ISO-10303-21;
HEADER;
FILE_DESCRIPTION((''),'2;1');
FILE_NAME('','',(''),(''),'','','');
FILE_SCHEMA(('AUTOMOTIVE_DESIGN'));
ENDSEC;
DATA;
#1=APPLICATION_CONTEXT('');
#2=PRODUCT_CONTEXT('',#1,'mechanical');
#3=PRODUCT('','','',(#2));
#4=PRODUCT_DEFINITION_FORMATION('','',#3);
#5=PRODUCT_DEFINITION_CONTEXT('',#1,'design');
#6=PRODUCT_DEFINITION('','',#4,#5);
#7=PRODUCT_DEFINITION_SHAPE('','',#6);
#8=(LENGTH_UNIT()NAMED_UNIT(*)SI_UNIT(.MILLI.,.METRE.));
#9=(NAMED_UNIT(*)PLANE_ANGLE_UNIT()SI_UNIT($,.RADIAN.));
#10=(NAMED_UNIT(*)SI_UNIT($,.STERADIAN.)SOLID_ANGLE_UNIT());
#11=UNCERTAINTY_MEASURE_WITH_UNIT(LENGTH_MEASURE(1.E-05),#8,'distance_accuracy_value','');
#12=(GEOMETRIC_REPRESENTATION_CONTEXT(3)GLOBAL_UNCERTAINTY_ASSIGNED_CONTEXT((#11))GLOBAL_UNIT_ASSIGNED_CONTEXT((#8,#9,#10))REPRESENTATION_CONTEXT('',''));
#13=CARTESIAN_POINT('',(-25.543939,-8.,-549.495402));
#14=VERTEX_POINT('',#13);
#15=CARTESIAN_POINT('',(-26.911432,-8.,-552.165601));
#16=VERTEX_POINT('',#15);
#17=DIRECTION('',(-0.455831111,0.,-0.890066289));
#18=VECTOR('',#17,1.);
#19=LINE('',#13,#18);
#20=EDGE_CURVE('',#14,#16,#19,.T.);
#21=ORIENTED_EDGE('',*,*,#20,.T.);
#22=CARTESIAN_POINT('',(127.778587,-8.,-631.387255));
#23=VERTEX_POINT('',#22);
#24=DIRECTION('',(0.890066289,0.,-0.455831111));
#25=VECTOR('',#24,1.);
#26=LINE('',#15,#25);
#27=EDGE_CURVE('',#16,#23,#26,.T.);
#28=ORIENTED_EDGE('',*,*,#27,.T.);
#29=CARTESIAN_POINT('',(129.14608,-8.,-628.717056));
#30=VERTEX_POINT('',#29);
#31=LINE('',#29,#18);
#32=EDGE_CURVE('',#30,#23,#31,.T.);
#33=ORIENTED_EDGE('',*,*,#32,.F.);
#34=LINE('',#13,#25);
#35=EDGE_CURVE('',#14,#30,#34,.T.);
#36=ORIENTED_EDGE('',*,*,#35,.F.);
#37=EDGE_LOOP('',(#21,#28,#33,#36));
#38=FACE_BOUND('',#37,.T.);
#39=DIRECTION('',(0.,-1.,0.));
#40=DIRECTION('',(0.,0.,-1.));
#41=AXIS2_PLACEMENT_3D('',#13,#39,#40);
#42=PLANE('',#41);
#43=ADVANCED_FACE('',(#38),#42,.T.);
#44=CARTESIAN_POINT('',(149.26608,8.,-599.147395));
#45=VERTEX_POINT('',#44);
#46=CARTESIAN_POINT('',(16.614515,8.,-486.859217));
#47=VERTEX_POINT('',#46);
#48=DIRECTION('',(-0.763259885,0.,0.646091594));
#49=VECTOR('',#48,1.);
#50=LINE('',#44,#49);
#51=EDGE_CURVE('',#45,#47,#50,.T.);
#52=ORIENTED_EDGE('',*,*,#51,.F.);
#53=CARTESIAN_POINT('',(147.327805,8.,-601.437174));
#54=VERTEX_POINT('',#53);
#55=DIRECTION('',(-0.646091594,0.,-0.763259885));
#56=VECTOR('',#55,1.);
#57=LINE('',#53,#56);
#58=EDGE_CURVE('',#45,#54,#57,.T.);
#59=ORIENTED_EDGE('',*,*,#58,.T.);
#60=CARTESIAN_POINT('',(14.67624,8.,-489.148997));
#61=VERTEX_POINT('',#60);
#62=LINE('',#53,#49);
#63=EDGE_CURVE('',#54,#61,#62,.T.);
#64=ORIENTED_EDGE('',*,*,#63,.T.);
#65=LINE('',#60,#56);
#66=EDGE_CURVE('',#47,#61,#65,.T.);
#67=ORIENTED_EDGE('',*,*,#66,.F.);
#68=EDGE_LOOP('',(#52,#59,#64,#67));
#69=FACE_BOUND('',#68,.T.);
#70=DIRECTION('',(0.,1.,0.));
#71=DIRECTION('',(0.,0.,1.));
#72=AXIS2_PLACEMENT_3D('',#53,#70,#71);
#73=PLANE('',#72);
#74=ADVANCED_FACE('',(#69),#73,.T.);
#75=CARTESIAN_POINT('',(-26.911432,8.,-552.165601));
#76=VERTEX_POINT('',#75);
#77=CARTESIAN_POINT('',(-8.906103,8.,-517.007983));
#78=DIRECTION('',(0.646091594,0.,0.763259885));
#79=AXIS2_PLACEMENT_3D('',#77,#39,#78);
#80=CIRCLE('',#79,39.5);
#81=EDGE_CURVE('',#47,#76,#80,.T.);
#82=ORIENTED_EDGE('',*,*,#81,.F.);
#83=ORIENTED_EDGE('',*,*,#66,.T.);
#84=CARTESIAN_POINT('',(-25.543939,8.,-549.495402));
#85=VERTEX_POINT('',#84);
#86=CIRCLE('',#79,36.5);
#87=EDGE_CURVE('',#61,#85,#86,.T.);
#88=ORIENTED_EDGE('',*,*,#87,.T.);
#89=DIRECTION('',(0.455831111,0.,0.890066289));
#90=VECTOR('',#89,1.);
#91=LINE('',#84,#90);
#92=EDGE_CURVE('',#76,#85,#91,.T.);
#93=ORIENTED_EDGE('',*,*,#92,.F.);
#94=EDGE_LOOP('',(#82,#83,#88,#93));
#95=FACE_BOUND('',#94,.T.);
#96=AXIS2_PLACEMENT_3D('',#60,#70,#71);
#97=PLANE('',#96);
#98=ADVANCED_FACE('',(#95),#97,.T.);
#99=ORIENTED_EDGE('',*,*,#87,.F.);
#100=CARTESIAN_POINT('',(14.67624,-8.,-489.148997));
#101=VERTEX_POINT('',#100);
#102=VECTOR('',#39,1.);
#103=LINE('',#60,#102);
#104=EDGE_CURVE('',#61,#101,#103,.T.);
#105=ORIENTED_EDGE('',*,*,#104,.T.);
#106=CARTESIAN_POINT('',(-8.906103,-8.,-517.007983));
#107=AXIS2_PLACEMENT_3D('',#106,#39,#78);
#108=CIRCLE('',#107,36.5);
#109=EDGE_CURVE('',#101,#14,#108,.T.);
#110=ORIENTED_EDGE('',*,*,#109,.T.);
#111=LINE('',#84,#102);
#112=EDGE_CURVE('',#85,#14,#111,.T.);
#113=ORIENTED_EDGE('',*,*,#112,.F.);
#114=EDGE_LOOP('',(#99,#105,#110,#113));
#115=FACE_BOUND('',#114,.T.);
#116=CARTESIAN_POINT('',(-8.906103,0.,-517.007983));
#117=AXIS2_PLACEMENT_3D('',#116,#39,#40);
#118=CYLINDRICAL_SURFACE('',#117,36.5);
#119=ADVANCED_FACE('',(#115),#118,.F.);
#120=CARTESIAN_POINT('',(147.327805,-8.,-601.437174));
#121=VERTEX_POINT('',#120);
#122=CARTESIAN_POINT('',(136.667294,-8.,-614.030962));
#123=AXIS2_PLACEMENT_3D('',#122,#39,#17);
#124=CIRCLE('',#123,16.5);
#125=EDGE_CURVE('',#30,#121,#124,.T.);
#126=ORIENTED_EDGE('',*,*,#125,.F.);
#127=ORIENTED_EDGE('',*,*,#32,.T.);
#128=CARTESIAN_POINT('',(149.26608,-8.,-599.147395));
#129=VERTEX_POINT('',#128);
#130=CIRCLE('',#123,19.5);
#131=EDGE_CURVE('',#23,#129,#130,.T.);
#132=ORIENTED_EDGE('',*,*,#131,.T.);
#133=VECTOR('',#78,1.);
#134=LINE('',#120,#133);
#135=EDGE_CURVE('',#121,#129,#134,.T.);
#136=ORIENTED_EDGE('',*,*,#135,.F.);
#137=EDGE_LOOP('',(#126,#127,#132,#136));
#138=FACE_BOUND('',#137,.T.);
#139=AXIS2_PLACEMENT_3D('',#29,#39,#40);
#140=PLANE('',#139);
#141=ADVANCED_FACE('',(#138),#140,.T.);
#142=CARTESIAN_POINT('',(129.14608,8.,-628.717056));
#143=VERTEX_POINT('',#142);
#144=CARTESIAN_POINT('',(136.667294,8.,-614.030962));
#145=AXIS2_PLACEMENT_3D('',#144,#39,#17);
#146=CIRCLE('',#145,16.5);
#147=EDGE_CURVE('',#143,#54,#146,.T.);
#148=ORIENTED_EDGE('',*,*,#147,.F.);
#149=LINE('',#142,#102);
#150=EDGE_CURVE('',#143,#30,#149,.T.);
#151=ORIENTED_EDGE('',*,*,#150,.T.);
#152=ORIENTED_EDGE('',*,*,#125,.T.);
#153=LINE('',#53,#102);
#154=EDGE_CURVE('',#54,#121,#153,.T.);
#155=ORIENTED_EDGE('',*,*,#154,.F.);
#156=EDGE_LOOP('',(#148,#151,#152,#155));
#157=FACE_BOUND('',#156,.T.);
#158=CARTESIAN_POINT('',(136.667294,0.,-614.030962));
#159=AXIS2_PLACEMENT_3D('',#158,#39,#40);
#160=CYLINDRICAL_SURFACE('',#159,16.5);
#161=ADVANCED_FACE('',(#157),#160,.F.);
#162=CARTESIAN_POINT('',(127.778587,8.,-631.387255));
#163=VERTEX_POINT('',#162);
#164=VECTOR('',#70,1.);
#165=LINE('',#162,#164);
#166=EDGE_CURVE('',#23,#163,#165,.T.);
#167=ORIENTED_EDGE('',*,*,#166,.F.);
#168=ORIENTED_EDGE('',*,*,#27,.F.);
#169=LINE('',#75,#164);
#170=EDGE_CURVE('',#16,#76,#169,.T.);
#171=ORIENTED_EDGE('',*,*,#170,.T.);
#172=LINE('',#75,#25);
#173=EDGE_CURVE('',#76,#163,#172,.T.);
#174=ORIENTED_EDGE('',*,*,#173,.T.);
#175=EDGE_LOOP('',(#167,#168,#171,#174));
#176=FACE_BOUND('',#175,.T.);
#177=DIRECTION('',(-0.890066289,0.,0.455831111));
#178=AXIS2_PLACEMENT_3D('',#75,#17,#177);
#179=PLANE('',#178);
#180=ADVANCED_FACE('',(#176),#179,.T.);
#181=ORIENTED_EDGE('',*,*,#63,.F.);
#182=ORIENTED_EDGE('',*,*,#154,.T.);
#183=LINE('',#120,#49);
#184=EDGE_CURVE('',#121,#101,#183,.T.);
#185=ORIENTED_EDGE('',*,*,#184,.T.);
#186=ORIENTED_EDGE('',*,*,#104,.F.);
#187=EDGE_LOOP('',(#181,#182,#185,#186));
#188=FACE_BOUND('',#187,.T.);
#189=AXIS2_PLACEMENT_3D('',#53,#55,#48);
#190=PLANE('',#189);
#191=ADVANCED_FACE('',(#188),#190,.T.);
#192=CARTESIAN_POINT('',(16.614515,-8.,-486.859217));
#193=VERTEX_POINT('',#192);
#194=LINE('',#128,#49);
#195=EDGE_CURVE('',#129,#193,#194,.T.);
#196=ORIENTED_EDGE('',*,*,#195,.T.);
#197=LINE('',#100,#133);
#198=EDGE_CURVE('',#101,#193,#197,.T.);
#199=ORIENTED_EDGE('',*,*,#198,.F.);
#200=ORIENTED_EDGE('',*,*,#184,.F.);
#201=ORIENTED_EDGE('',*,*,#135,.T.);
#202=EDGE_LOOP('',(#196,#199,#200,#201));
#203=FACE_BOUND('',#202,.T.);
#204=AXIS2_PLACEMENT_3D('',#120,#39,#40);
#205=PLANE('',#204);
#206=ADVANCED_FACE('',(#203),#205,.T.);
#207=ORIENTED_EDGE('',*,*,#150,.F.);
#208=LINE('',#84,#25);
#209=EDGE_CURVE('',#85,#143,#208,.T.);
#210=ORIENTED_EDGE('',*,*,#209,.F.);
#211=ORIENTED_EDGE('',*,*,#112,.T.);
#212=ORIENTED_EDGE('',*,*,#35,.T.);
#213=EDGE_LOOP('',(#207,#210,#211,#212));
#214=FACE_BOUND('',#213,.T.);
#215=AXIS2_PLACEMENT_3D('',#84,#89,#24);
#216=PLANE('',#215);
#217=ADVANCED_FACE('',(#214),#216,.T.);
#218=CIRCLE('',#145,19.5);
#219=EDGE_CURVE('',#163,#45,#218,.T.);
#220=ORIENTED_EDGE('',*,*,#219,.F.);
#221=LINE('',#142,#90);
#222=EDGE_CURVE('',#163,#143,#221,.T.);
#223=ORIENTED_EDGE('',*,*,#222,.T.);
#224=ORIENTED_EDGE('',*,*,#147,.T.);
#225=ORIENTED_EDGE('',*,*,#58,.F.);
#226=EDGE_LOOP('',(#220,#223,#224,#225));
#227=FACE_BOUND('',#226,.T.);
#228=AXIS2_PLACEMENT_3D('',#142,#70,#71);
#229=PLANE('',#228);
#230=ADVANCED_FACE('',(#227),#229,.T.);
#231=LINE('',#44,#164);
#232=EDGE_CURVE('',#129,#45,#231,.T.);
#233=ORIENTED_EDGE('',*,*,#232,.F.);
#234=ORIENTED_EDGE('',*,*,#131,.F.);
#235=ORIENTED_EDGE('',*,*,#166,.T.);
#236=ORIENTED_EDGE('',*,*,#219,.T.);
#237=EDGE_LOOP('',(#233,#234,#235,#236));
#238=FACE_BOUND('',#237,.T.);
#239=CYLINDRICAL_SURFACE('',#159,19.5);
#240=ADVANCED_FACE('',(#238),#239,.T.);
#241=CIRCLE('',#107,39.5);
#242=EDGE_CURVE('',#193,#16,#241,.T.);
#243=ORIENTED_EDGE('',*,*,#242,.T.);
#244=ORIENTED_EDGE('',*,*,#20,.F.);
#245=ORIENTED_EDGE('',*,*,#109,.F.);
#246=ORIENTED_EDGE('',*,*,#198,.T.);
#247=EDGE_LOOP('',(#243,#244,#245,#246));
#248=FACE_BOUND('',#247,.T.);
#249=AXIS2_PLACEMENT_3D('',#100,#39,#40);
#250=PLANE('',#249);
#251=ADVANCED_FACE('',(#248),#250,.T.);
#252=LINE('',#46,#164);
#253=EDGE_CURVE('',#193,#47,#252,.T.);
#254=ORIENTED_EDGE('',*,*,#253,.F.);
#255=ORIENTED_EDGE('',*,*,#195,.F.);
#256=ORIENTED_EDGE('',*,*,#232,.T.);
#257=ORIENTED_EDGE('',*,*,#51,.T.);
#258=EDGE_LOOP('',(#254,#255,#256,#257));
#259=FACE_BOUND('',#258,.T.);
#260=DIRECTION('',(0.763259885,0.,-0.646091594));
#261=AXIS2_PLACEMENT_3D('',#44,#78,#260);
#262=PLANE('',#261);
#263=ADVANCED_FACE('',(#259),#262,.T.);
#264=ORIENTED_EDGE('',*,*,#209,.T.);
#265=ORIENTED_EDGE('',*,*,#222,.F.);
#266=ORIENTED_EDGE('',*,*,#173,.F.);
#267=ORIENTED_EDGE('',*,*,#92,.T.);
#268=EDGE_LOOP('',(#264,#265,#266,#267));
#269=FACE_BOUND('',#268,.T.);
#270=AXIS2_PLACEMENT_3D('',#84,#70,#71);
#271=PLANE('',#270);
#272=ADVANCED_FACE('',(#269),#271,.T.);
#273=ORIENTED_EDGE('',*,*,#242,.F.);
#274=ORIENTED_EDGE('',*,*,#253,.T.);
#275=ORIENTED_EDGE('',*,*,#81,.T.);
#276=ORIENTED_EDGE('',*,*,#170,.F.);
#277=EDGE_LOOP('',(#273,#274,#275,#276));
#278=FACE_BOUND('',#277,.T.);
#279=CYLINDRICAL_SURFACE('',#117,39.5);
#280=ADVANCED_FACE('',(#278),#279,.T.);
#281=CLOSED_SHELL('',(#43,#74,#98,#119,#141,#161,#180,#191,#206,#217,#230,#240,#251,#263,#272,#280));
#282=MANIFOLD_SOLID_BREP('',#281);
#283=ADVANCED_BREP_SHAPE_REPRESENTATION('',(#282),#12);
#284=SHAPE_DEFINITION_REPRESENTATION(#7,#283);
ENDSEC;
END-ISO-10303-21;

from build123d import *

# Parameters (mm, degrees)
SKETCH2_W = 3
SKETCH2_H = 16


with BuildPart() as part:
    # Sweep1: sweep along a path in Sketch1
    with BuildLine(Plane(origin=(0, 0, 0), x_dir=(1, 0, 0), z_dir=(0, 1, 0))) as sweep1_path:
        Line((-26.227685645, 550.830501906), (128.462333695, 630.052155615))
        ThreePointArc((128.462333695, 630.052155615), (151.645431275, 624.013717264), (148.296942376, 600.292284483))
        Line((148.296942376, 600.292284483), (15.645377126, 488.004107292))
        ThreePointArc((15.645377126, 488.004107292), (-40.52661613, 495.933278247), (-26.227685645, 550.830501906))
    # Sketch2 → Sweep1 (sweep)
    with BuildSketch(Plane(origin=(15.645377126, 0, -488.004107292), x_dir=(0.6460915939046579, 0, 0.7632598851542892), z_dir=(-0.7632598851542891, 0, 0.6460915939046578))):
        Rectangle(SKETCH2_W, SKETCH2_H)
    sweep(path=sweep1_path.line)


solid = part.part
